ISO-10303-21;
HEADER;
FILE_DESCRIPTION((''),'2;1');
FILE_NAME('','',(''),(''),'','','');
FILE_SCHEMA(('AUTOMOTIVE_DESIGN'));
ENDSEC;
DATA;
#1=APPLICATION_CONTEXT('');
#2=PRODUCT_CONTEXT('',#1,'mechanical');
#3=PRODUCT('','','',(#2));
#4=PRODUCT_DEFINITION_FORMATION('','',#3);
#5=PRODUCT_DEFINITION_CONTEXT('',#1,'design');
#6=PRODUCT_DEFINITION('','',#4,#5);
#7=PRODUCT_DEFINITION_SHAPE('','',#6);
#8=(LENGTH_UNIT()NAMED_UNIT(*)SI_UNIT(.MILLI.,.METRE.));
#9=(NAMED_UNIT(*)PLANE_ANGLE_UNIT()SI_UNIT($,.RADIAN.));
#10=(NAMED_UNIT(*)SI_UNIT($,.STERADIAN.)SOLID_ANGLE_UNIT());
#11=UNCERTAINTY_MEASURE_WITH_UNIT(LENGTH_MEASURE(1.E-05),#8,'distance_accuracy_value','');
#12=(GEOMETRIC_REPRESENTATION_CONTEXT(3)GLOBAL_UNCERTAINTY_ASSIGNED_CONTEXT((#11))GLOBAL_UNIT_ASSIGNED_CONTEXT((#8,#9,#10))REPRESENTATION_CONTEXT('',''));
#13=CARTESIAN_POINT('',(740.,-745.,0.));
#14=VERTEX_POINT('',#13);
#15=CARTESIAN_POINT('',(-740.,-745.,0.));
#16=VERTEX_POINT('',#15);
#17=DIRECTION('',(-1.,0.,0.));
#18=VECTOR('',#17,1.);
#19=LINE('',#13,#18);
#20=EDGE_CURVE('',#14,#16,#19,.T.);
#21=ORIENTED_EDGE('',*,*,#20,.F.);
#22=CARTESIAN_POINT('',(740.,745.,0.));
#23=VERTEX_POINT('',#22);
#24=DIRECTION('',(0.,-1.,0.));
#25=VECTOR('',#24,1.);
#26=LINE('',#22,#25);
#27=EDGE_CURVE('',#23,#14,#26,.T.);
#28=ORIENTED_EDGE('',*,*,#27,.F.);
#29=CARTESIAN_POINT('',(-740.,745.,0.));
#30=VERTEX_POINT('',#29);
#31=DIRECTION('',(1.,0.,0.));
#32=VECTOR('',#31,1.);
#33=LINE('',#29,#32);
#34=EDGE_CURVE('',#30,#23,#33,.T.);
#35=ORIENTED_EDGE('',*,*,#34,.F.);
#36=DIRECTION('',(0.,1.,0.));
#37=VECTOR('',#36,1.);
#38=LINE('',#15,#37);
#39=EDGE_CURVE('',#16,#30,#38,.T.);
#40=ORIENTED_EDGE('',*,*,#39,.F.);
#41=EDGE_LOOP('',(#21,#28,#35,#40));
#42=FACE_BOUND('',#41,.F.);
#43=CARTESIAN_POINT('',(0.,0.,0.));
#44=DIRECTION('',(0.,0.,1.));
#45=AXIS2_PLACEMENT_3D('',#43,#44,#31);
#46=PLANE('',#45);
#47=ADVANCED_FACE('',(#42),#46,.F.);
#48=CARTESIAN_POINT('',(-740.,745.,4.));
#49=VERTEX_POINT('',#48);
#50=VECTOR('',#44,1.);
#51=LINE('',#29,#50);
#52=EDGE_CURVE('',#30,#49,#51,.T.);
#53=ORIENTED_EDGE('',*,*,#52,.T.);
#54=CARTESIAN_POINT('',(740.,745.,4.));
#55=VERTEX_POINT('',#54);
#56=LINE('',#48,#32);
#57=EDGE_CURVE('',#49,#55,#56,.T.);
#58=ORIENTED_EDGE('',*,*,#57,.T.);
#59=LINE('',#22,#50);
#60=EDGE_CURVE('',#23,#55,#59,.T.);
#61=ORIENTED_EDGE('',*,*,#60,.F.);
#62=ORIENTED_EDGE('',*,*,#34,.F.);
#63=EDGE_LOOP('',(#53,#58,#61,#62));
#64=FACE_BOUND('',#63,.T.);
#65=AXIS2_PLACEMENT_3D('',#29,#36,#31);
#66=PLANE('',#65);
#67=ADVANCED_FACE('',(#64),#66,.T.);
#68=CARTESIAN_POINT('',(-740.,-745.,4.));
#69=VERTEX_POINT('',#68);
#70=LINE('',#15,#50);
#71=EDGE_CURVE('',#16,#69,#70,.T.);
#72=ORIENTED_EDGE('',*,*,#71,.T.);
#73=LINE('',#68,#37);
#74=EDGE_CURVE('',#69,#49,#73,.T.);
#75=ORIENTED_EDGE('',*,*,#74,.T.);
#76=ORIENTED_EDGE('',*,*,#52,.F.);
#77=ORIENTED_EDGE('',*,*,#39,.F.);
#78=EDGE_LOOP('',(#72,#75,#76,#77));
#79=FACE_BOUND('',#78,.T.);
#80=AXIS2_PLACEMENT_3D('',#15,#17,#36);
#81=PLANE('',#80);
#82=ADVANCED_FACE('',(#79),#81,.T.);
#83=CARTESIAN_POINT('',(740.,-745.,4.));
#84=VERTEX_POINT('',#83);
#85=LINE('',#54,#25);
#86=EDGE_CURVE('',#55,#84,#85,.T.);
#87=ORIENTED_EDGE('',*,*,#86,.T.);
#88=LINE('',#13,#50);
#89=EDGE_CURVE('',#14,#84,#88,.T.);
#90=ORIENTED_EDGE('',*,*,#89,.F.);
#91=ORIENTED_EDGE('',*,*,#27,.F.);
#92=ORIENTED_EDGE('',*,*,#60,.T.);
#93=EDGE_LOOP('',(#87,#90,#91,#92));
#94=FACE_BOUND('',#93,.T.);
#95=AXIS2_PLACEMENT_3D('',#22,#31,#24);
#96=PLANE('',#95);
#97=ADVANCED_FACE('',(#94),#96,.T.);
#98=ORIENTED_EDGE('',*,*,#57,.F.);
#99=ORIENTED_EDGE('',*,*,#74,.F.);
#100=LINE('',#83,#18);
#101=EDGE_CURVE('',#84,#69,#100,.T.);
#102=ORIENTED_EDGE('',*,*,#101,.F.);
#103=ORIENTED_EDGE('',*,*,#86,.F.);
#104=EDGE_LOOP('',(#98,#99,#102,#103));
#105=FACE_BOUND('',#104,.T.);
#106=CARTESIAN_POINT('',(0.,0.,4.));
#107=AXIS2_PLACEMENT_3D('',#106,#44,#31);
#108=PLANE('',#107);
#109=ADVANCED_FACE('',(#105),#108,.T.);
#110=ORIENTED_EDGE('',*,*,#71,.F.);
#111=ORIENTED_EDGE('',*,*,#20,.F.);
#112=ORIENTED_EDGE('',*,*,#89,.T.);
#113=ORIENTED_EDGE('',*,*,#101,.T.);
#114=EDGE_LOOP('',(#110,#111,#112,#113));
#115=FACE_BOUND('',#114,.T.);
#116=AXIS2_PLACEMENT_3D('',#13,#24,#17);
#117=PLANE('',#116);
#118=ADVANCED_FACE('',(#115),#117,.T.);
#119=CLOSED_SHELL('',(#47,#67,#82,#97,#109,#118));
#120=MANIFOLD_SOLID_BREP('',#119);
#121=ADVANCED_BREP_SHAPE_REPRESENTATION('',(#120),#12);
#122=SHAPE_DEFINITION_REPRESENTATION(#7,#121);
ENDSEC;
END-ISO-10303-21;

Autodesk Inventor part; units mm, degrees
ref_plane "YZ Plane" through (0, 0, 0) normal (1, 0, 0) x (0, 1, 0)
ref_plane "XZ Plane" through (0, 0, 0) normal (0, 1, 0) x (-1, 0, 0)
ref_plane "XY Plane" through (0, 0, 0) normal (0, 0, 1) x (1, 0, 0)
sketch "Sketch1" plane through (0, 0, 0) normal (0, 0, 1) x (1, 0, 0)
  line L0 (740, -745) -> (-740, -745)
  line L1 (-740, -745) -> (-740, 745)
  line L2 (-740, 745) -> (740, 745)
  line L3 (740, 745) -> (740, -745)
  line L4 (740, -745) -> (-740, 745) construction
  line L5 (-740, -745) -> (740, 745) construction
  point P0 (0, 0)
  dimension "d0" = 1480
  dimension "d1" = 1490
extrude "Plate1" add sketch "Sketch1" along normal blind 4
equation "\"d0\" = Лист_ширина"
equation "\"d1\" = 0.5 * Лист_длина"
equation "\"d2\" = Thickness"
equation "\"BendRadius\" = Thickness"
equation "\"BendReliefWidth\" = Thickness"
equation "\"BendReliefDepth\" = 0.5 * Thickness"
equation "\"CornerReliefSize\" = 4 * Thickness"
equation "\"MinimumRemnant\" = 2 * Thickness"
equation "\"TransitionRadius\" = BendRadius"
equation "\"JacobiRadiusSize\" = BendRadius"
equation "\"GapSize\" = Thickness"
equation "\"Лист_ширина\" = 1480"
equation "\"Лист_длина\" = 2980"
equation "\"Thickness\" = 4"
properties part number "1019 GBK shield" material "Steel"
